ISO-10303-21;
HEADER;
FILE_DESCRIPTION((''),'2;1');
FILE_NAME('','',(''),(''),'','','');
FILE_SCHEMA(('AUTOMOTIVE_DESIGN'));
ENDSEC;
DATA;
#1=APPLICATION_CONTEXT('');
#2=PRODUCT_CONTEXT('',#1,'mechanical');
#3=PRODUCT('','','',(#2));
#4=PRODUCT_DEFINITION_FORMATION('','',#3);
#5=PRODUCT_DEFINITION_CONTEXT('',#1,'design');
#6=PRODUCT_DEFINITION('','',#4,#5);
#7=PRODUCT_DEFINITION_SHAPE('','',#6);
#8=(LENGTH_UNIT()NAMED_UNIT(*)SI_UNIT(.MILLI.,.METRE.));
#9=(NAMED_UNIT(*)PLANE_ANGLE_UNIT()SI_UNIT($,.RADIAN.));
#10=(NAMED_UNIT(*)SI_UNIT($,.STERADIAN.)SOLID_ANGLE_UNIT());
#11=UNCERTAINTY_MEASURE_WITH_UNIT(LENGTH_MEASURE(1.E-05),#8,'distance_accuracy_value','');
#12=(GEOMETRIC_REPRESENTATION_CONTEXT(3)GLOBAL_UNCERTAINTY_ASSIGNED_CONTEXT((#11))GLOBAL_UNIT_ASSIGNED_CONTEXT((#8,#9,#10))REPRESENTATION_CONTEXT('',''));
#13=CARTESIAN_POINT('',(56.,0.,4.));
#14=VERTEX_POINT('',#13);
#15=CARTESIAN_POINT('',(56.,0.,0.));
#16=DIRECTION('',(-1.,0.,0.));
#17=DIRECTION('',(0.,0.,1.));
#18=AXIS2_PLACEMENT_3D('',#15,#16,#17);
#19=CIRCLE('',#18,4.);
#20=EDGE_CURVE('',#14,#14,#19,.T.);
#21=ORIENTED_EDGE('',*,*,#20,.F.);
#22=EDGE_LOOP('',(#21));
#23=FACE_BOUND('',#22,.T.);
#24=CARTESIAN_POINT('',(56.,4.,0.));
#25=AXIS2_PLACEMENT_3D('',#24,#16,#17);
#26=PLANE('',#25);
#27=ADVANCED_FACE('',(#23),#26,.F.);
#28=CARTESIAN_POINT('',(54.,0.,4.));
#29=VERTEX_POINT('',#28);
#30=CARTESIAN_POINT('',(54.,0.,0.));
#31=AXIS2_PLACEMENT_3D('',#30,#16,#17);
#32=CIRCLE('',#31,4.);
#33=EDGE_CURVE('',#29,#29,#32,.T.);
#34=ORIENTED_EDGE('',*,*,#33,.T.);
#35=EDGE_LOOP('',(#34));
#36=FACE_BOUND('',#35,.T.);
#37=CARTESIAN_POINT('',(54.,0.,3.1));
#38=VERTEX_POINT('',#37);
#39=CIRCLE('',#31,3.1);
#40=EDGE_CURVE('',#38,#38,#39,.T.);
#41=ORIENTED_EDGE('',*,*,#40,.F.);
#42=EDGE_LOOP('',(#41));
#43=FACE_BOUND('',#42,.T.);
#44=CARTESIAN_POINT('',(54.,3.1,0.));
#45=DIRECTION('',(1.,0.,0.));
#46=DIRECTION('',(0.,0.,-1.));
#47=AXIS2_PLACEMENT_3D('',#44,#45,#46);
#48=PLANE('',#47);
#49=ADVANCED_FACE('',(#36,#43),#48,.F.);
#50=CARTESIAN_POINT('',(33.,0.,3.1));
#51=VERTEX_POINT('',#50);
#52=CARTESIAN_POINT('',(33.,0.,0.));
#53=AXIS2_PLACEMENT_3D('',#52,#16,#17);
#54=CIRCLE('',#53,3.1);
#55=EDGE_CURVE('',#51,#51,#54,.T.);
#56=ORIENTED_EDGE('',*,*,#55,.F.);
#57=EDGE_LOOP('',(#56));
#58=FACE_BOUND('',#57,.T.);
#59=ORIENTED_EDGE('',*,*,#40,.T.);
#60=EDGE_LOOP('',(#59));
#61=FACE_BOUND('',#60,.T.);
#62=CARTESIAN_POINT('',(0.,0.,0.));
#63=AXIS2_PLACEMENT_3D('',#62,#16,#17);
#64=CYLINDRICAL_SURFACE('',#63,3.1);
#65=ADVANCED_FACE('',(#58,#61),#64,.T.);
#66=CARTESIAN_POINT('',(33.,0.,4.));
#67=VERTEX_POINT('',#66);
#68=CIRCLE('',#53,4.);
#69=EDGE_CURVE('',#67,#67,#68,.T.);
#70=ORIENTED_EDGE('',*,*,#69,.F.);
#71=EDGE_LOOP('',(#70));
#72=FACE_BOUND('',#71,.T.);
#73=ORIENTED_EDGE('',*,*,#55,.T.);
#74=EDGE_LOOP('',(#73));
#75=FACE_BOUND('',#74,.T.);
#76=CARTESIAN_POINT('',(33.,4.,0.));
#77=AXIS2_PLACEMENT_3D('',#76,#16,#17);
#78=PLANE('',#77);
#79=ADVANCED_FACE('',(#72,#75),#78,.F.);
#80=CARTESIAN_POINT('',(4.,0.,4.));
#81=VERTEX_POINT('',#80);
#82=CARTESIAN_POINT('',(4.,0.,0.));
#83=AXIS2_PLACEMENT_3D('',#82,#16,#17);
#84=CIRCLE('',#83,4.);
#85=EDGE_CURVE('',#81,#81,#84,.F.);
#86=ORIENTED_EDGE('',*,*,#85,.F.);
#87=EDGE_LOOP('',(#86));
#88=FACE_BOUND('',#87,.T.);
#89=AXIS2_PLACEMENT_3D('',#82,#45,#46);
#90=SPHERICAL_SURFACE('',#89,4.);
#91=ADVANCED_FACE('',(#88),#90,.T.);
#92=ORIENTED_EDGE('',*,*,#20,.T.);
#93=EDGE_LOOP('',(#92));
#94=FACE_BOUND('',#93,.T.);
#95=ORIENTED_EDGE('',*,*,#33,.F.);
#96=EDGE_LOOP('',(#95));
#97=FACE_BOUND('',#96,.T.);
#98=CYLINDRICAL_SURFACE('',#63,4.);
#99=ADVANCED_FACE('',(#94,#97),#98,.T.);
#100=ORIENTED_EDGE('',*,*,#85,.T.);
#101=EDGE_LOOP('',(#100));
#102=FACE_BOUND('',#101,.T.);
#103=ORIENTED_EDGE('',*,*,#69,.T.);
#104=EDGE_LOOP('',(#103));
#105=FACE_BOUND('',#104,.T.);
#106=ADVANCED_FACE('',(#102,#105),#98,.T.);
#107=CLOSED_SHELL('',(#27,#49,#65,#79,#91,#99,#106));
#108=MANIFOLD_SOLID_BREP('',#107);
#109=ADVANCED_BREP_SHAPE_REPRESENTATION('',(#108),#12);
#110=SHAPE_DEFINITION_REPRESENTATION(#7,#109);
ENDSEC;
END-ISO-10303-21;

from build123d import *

# Parameters (mm, degrees)
FILLET1_R = 4


with BuildPart() as part:
    # Sketch1 → Revolve1 (revolve)
    with BuildSketch(Plane.XY, mode=Mode.PRIVATE) as revolve1_sk:
        Polygon((0, 0), (0, 4), (33, 4), (33, 3.1), (54, 3.1), (54, 4), (56, 4), (56, 0), align=None)
    revolve(revolve1_sk.sketch.rotate(Axis((0, 0, 0), (1, 0, 0)), 90), axis=Axis((0, 0, 0), (1, 0, 0)))  # turned: the seam where the file's is

    # Fillet1
    fillet1_edges = [part.edges().sort_by_distance(p)[0] for p in [
        (0, 0, -4),
    ]]
    fillet(fillet1_edges, radius=FILLET1_R)


solid = part.part
